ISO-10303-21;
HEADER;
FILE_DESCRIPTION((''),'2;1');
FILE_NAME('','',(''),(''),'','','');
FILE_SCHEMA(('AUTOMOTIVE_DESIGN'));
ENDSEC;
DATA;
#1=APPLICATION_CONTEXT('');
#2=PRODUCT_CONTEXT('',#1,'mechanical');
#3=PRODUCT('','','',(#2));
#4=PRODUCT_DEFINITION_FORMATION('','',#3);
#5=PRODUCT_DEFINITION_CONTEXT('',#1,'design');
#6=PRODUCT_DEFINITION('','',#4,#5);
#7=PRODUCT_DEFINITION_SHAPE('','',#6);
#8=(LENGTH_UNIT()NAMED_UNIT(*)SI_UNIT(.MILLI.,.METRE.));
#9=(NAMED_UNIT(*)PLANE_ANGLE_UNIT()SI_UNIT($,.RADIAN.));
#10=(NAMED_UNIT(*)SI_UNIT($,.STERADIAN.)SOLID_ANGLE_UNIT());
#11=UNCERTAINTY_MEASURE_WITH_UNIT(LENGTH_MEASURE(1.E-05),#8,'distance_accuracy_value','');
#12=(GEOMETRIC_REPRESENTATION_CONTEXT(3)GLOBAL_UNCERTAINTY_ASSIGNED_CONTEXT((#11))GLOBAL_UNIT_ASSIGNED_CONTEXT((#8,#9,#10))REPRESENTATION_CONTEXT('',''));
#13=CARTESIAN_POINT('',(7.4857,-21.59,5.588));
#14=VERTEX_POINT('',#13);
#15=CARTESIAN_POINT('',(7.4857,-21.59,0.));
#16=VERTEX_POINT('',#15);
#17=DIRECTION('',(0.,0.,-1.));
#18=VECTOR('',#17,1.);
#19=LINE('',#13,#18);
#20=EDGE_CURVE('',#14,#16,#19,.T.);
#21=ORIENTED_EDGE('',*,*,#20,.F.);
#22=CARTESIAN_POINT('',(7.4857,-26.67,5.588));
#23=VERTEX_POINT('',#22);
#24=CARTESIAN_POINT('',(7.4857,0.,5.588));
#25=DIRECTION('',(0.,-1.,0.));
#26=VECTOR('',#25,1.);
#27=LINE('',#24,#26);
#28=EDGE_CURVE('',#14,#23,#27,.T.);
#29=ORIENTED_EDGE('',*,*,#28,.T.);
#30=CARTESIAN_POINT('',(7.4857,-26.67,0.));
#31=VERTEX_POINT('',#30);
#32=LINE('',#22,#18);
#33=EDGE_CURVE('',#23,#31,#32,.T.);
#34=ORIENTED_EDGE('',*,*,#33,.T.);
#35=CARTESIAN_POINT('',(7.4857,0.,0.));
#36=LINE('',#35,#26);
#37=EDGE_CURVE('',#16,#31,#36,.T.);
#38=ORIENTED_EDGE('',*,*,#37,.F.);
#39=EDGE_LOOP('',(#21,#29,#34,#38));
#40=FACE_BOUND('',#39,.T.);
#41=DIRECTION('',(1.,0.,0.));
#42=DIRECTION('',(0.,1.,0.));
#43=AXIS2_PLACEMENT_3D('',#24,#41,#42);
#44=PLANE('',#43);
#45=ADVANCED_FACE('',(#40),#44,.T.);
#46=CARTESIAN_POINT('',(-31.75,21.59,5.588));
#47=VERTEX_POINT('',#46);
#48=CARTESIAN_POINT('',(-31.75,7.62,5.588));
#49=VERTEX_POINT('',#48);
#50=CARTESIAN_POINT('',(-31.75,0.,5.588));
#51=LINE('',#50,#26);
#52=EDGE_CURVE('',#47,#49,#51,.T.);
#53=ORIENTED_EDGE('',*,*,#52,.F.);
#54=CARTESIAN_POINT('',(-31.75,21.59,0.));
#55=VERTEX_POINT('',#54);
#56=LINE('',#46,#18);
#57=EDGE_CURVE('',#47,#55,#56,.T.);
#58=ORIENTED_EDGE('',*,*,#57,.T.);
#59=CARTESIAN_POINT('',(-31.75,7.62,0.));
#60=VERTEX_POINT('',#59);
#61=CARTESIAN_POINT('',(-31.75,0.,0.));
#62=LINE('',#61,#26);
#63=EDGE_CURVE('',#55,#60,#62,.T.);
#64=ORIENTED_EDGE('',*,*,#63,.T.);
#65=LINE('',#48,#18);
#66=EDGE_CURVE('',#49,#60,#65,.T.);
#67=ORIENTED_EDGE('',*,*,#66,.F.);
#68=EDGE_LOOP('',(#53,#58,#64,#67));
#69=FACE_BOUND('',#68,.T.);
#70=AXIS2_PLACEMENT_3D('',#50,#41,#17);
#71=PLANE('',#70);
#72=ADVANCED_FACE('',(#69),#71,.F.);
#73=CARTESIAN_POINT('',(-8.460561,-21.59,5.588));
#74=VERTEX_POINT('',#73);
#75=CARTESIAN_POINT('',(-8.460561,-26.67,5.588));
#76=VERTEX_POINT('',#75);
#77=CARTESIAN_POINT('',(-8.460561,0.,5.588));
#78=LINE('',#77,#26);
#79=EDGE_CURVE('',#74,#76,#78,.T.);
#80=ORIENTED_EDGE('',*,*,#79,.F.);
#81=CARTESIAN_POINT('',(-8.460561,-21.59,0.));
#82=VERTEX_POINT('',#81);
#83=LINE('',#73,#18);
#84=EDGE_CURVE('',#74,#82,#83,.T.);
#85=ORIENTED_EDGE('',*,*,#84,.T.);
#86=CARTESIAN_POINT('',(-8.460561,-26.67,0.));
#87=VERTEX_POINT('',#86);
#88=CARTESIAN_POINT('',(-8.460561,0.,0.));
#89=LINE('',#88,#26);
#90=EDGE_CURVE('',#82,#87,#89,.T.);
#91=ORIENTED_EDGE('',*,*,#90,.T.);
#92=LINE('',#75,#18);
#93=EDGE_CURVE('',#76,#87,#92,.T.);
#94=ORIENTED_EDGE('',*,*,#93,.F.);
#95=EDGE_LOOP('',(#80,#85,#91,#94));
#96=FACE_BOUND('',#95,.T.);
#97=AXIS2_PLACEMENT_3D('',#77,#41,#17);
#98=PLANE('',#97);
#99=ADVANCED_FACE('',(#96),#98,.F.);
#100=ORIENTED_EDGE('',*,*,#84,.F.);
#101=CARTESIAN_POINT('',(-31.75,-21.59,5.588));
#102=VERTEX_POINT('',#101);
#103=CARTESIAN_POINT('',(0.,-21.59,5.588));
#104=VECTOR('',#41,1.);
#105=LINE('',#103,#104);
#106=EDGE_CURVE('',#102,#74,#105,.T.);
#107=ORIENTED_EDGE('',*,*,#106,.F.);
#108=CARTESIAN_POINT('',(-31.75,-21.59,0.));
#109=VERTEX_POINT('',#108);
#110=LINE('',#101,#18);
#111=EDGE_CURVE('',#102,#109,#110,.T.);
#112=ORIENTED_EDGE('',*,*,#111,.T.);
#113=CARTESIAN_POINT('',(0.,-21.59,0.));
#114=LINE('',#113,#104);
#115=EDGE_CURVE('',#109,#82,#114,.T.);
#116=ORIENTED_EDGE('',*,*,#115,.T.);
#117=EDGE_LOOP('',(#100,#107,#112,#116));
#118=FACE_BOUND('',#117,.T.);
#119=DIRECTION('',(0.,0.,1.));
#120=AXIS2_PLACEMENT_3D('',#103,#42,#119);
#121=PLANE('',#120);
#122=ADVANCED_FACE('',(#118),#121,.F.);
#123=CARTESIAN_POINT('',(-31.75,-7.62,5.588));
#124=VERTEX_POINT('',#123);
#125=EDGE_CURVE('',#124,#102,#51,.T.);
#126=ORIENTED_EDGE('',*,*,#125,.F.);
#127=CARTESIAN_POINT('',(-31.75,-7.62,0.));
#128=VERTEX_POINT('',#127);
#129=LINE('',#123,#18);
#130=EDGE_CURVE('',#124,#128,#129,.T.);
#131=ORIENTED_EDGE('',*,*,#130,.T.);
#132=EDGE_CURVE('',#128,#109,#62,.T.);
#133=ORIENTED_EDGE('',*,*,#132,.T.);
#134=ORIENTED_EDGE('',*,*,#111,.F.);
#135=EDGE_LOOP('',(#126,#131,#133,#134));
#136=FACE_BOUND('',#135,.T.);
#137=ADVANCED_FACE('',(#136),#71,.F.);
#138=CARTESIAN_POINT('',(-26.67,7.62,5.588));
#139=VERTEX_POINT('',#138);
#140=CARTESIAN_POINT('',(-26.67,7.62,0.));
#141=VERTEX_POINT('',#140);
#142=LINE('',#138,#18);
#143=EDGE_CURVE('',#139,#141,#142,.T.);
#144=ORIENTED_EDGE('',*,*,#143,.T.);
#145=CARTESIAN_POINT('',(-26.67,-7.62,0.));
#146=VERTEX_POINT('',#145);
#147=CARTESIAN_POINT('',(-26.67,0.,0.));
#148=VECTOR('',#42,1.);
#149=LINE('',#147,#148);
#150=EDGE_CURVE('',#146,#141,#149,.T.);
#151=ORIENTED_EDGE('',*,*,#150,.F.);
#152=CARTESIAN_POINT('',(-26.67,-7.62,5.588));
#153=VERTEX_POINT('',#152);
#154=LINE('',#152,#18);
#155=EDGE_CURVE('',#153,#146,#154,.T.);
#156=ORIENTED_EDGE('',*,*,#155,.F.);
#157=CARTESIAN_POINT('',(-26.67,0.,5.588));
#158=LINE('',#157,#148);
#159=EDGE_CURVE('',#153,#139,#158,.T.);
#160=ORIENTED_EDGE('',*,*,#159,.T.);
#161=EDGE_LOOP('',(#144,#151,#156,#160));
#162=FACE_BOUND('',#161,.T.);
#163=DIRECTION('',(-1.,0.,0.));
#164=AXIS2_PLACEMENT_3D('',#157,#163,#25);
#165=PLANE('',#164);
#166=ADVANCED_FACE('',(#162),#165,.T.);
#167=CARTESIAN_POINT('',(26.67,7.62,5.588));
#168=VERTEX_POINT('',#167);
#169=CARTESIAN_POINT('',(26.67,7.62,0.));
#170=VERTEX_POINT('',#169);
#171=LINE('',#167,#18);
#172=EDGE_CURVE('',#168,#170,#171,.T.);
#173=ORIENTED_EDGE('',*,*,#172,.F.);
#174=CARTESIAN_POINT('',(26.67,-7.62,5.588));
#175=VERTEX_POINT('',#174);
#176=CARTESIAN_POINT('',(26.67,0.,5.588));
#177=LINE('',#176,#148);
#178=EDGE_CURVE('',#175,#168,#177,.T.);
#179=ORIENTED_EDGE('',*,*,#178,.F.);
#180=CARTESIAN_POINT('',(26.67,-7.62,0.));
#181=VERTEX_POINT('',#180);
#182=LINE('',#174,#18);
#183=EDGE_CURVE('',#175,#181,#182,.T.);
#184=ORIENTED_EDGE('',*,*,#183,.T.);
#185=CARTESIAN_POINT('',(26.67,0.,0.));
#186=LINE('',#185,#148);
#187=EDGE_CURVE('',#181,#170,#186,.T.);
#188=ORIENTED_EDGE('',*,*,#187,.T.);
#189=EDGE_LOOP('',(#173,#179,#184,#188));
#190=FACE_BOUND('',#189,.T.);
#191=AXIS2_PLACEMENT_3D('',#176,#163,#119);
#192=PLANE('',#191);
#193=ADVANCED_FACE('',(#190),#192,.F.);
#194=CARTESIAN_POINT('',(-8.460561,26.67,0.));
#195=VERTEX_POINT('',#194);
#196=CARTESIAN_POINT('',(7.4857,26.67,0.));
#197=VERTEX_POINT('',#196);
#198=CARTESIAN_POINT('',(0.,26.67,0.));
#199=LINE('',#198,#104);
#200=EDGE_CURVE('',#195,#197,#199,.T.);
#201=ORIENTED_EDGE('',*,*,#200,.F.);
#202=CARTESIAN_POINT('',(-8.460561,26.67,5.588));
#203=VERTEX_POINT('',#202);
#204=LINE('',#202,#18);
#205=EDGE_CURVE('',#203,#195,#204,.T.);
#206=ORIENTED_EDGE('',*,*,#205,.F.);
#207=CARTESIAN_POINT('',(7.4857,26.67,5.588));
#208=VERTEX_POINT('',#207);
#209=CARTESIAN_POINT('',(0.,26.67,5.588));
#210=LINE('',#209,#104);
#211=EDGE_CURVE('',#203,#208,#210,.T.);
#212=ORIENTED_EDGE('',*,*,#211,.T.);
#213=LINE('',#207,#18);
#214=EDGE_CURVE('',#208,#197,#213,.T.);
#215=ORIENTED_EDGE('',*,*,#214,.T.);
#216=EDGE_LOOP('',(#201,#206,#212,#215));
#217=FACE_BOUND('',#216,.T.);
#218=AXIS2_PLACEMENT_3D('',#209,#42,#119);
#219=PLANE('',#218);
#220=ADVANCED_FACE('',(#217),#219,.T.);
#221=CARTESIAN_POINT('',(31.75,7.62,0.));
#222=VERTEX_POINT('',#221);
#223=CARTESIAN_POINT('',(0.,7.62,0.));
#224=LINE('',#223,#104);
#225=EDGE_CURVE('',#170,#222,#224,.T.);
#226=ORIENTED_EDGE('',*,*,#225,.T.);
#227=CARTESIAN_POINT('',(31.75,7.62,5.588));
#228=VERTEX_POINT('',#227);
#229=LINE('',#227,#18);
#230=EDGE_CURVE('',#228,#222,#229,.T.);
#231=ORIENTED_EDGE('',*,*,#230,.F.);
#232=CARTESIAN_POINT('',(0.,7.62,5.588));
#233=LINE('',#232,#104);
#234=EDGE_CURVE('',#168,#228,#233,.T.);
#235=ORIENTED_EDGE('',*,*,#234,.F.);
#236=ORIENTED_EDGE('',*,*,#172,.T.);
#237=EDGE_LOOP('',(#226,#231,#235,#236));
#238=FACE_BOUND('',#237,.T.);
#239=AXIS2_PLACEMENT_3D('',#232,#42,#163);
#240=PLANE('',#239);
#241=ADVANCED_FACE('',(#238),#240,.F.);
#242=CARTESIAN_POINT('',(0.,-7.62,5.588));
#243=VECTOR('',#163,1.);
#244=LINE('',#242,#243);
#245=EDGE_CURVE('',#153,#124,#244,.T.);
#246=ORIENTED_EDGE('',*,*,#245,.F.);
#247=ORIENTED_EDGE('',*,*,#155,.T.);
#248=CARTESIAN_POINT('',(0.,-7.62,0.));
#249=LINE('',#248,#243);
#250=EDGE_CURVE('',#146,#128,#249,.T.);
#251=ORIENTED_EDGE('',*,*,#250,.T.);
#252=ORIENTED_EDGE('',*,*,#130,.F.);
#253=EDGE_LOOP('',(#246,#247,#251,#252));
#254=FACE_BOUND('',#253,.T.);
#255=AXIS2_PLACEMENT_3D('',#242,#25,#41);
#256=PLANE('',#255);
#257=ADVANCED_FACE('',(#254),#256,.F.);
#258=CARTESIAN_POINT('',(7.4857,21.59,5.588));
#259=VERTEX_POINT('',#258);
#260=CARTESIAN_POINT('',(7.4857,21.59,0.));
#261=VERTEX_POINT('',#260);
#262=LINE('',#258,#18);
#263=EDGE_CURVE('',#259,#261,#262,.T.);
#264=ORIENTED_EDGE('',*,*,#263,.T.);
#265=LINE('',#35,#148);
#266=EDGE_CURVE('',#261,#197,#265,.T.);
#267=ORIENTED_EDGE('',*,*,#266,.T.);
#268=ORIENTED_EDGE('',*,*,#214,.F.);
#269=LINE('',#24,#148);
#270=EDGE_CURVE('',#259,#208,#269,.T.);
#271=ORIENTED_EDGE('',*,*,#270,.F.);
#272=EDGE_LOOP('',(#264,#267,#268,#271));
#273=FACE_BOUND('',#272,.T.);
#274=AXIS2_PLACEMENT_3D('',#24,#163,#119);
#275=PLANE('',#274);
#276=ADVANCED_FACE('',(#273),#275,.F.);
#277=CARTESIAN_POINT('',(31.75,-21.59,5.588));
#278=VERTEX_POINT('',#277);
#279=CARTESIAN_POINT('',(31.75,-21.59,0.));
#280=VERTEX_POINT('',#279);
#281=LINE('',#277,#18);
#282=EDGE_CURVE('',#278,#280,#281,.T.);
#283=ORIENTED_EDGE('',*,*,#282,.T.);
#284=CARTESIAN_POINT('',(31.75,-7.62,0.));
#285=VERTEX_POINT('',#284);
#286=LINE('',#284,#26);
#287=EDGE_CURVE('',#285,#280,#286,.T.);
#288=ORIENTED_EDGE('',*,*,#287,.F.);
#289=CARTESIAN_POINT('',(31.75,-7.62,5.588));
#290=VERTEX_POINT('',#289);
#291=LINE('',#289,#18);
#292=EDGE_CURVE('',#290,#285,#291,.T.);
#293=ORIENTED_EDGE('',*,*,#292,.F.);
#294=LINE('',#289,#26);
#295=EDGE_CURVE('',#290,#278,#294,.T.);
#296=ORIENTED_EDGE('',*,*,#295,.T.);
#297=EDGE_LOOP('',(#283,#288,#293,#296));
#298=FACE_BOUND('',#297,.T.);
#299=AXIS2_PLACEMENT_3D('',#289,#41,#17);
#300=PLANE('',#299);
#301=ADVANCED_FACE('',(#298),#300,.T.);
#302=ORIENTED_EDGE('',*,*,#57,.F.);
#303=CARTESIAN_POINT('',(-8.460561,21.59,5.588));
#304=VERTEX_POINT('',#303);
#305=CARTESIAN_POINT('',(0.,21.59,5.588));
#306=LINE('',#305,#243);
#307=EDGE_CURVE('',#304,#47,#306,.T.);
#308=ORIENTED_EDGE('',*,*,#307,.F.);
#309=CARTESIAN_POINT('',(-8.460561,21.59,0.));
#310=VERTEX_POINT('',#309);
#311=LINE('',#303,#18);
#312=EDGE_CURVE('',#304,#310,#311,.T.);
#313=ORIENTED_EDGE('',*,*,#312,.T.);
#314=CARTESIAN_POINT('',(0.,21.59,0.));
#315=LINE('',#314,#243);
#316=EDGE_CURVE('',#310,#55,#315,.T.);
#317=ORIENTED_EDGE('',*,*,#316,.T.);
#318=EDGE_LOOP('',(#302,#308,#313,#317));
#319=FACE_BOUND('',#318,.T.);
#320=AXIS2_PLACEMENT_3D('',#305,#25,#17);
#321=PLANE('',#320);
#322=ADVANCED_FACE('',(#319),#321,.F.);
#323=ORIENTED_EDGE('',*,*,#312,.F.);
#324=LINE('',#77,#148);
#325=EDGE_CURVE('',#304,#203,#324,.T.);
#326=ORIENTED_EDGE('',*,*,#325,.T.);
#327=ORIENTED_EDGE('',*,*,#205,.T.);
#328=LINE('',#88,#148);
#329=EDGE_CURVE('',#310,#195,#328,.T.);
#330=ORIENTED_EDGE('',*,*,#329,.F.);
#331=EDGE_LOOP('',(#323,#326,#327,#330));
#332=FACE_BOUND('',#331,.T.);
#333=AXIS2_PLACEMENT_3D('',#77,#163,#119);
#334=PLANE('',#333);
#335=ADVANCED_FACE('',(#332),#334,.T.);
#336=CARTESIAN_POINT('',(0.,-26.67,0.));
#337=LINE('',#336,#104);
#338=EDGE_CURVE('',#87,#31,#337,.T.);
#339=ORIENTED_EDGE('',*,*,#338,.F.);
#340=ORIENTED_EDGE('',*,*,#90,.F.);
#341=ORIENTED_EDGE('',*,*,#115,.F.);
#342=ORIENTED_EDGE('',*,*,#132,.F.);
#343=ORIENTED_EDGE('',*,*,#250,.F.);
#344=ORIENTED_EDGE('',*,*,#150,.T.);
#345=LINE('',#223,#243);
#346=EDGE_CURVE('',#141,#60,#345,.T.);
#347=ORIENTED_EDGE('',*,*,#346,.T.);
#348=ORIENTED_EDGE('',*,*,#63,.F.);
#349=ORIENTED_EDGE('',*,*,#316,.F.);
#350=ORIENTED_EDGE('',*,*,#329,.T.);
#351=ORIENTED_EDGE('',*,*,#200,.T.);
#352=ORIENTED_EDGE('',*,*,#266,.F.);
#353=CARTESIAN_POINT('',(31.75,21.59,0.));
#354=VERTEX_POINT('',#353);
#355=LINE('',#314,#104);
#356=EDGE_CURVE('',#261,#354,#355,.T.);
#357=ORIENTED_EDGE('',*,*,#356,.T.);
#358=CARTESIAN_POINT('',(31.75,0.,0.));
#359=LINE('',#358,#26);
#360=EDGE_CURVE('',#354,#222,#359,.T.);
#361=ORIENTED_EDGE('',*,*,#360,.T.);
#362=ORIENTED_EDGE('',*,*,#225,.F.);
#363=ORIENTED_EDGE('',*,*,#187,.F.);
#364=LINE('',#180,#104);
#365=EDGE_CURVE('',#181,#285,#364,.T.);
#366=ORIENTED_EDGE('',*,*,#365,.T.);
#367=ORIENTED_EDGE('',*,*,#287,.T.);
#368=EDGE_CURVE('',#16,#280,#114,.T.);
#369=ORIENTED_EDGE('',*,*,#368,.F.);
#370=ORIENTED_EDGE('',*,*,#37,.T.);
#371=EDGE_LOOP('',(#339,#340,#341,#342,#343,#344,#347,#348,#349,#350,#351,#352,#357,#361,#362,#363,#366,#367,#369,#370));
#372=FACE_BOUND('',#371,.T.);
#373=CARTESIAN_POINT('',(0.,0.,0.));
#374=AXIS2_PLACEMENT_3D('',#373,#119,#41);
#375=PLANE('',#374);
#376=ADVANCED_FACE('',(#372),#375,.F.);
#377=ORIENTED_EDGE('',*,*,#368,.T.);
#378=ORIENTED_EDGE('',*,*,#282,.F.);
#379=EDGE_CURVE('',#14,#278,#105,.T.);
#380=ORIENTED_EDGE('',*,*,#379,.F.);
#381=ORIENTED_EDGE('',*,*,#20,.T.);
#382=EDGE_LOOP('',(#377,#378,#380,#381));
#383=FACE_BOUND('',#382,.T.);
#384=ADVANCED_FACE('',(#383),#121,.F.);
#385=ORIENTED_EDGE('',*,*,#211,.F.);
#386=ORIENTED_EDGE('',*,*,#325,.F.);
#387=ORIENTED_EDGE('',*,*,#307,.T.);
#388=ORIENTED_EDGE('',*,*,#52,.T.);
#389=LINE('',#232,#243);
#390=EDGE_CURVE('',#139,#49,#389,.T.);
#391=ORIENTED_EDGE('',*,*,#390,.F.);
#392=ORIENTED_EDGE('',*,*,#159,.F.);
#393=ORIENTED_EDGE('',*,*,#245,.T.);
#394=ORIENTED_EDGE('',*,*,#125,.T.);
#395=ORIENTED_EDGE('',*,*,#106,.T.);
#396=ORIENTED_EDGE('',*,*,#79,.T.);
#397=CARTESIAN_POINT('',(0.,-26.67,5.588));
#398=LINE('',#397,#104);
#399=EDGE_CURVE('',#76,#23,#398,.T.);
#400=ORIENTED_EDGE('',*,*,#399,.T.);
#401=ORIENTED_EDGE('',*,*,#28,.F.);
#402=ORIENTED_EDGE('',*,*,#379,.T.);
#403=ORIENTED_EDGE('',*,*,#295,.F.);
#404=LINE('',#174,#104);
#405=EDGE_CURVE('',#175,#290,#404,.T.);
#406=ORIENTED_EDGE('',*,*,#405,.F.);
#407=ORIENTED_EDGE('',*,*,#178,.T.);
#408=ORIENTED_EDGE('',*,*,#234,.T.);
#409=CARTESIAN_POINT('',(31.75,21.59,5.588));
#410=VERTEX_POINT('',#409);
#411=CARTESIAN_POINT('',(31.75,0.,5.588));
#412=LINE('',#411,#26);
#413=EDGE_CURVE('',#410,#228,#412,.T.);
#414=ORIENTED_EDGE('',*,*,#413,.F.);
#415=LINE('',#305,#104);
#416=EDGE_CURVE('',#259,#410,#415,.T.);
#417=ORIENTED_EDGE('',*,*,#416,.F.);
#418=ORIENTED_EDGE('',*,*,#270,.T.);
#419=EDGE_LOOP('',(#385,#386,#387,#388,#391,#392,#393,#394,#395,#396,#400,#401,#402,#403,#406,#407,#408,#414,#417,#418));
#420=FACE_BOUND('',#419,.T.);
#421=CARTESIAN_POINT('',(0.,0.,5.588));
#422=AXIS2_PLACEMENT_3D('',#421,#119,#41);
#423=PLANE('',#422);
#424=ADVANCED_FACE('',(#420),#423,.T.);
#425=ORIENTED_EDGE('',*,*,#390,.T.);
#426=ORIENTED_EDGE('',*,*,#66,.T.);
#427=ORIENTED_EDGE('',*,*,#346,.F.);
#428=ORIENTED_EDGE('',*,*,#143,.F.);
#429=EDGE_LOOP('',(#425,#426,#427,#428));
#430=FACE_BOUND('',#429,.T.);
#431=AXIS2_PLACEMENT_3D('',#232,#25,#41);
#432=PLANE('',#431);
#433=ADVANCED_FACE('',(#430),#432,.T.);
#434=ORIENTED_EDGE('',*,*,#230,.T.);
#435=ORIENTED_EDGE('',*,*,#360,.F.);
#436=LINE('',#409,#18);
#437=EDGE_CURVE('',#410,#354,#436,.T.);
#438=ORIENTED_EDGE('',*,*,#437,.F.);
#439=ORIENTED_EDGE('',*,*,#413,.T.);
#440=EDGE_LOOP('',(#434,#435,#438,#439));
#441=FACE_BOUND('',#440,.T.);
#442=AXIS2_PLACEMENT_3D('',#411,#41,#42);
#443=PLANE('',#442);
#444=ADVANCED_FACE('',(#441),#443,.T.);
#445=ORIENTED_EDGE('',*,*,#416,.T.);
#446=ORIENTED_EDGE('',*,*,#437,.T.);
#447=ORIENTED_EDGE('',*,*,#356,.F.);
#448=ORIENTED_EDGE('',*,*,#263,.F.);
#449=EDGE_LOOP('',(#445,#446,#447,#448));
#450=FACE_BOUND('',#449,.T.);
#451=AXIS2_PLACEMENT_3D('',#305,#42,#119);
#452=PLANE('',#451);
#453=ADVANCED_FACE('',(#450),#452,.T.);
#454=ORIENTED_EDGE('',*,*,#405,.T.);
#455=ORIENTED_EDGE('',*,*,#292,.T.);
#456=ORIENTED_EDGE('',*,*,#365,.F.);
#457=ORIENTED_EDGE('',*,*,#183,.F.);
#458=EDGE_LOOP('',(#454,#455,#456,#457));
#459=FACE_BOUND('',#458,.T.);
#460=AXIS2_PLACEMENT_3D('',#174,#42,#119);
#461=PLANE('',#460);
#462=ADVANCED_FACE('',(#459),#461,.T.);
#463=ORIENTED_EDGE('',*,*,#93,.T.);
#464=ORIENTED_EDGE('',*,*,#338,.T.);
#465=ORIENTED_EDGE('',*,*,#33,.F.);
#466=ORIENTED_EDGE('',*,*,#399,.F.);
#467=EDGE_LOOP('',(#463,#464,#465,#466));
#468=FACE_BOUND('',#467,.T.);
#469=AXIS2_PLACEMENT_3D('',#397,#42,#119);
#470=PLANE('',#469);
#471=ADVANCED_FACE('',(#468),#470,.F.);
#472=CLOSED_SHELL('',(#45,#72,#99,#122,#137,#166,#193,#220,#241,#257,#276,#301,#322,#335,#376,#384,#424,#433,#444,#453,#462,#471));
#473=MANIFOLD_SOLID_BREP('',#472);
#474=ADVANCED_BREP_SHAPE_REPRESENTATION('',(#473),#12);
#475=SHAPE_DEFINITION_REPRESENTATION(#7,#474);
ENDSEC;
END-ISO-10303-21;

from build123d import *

# Parameters (mm, degrees)
SKETCH1_W           = 5.08
SKETCH1_H           = 13.97
SKETCH1_W_2         = 53.34
SKETCH1_H_2         = 43.18
SKETCH1_W_3         = 15.946260678
SKETCH1_H_3         = 5.08
BOSS_EXTRUDE1_DEPTH = 5.588


with BuildPart() as part:
    # Sketch1 → Boss-Extrude1 (new body)
    with BuildSketch(Plane.XY):
        with Locations((-29.21, 14.605)):
            Rectangle(SKETCH1_W, SKETCH1_H)
        Rectangle(SKETCH1_W_2, SKETCH1_H_2)
        with Locations((-0.487430597, 24.13)):
            Rectangle(SKETCH1_W_3, SKETCH1_H_3)
        with Locations((29.21, 14.605)):
            Rectangle(SKETCH1_W, SKETCH1_H)
        with Locations((-0.487430597, -24.13)):
            Rectangle(SKETCH1_W_3, SKETCH1_H_3)
        with Locations((-29.21, -14.605)):
            Rectangle(SKETCH1_W, SKETCH1_H)
        with Locations((29.21, -14.605)):
            Rectangle(SKETCH1_W, SKETCH1_H)
    extrude(amount=BOSS_EXTRUDE1_DEPTH)


solid = part.part
